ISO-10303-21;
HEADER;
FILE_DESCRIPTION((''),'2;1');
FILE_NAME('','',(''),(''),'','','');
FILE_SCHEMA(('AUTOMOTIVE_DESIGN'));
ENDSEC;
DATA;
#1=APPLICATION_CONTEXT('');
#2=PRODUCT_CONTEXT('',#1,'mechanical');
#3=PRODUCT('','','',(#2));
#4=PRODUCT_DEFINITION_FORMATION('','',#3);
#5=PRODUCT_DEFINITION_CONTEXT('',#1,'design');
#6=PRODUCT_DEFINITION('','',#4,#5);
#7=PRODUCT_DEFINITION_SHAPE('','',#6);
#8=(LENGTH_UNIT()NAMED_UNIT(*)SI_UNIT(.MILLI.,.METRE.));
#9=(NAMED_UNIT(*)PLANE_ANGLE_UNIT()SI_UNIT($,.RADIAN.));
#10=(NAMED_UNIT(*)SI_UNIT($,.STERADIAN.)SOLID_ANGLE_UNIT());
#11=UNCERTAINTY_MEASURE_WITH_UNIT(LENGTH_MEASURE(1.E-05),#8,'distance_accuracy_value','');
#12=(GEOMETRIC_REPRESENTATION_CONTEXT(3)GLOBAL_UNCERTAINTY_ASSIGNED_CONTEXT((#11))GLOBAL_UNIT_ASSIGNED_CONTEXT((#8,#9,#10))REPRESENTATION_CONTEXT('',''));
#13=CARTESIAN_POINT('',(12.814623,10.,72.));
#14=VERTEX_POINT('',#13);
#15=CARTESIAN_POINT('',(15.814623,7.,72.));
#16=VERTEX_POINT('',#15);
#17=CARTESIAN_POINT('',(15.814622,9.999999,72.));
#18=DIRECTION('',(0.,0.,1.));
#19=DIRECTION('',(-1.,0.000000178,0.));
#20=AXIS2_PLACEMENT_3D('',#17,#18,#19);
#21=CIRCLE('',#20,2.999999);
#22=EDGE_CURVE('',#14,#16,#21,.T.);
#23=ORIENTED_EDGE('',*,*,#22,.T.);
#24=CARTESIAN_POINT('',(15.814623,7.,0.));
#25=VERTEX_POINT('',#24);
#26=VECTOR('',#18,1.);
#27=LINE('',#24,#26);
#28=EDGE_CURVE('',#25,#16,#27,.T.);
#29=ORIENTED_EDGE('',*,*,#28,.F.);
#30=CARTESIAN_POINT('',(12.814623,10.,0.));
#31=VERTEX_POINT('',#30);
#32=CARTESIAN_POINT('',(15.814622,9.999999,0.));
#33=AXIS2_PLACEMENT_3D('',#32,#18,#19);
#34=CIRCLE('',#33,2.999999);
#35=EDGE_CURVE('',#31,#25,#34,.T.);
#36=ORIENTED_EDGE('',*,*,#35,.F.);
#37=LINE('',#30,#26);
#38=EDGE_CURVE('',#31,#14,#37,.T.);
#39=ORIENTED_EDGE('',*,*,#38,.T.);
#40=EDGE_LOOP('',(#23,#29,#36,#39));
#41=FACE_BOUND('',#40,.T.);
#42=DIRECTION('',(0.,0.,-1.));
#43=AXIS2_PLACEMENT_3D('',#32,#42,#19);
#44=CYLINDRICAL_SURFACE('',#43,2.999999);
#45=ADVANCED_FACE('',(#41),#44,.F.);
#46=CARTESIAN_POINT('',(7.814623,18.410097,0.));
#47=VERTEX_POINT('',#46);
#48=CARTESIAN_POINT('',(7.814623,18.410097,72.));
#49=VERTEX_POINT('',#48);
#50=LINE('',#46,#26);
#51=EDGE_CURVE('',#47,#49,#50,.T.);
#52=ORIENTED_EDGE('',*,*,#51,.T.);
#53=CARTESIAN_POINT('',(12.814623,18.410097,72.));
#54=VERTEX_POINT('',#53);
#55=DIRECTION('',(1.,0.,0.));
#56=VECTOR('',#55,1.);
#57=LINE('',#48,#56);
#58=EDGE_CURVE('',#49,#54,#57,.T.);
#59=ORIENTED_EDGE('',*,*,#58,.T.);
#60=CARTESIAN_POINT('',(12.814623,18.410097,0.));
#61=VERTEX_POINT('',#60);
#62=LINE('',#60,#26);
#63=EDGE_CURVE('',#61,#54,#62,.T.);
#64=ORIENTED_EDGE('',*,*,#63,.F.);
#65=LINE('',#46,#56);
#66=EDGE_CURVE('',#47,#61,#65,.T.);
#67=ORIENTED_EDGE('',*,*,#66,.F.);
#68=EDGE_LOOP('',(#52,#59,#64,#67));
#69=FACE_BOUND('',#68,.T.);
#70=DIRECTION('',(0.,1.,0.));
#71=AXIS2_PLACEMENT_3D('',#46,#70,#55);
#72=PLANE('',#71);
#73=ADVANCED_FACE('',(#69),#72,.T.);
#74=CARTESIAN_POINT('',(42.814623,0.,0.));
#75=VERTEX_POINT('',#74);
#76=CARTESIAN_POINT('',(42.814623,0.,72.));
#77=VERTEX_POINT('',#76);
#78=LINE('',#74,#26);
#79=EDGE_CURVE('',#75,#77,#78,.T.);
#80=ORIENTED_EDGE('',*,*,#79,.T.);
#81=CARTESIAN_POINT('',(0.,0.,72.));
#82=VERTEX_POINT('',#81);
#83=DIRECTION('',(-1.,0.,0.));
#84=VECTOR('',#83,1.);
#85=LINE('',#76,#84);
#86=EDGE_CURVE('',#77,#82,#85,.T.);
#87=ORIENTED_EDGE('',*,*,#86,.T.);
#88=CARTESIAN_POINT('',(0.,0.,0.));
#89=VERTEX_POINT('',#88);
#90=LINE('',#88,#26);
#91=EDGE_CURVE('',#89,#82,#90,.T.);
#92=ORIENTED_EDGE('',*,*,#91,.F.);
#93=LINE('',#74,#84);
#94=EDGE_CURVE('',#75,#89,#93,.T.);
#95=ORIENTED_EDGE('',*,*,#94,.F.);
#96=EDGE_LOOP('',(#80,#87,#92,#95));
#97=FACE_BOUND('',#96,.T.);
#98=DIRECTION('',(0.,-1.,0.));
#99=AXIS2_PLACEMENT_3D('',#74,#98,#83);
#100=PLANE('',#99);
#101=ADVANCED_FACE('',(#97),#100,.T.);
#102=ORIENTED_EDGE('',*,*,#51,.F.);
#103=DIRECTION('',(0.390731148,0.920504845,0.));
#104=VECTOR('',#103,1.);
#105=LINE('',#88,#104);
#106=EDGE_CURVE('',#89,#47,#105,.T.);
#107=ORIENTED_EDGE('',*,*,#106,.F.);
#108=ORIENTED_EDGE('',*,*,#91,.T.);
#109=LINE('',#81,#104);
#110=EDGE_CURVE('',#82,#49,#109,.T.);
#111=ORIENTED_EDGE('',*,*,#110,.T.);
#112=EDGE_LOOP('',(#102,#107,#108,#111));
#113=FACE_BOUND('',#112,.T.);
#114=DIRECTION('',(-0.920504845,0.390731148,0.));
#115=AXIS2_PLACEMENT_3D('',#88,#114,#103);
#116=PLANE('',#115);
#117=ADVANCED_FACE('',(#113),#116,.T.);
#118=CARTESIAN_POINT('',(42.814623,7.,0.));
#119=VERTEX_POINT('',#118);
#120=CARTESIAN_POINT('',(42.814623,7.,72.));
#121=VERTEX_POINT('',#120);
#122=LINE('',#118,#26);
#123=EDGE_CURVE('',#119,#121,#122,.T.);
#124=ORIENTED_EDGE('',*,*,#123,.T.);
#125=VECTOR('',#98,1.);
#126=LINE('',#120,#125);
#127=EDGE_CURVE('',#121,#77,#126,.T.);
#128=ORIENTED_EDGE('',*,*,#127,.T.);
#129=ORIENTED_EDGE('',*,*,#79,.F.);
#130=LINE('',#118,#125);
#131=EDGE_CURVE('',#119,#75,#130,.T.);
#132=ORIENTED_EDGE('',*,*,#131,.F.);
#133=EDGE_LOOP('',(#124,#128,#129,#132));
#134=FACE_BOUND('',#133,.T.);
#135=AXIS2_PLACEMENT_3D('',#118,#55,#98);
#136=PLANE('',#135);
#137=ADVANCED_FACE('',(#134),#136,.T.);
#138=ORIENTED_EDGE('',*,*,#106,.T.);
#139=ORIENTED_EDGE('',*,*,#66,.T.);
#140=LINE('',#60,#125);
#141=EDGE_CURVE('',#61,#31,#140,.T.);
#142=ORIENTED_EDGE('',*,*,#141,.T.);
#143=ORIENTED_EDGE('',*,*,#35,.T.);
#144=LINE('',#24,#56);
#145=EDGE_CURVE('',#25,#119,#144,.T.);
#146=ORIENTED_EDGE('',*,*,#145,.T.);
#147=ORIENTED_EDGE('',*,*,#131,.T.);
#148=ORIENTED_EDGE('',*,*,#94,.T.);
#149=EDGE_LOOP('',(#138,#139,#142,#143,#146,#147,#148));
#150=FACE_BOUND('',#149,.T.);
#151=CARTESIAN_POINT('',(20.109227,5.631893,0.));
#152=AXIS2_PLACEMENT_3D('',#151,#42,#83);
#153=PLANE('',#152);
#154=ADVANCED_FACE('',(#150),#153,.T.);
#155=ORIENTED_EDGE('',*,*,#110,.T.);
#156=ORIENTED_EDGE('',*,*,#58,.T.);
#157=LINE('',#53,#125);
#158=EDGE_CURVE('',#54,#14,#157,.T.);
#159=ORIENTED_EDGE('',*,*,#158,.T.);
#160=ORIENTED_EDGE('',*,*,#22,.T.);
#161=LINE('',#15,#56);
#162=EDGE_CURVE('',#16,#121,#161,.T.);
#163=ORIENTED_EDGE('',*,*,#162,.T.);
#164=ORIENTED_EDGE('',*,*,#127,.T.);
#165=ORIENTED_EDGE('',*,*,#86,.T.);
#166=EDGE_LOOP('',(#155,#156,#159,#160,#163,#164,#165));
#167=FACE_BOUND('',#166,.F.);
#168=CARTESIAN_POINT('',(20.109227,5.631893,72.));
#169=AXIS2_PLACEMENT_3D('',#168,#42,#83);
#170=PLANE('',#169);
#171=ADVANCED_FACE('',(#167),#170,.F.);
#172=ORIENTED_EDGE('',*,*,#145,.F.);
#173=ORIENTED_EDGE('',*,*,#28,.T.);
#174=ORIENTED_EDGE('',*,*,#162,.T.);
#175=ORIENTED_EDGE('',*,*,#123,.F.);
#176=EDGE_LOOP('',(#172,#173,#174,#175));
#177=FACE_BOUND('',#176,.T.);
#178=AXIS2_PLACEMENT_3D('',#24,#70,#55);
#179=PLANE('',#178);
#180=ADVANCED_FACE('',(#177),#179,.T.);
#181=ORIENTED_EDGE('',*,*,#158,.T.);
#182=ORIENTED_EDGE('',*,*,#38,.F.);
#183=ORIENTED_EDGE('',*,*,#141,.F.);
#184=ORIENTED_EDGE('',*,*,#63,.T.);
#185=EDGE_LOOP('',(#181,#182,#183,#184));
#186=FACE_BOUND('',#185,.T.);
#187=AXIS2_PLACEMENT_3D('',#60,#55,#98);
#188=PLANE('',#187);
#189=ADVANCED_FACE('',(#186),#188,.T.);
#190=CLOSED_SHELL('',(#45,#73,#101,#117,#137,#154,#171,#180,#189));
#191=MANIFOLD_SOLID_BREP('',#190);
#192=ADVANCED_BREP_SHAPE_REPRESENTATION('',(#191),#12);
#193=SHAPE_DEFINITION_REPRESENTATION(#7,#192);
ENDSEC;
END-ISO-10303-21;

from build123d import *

# Parameters (mm, degrees)
PAD_DEPTH = 72


with BuildPart() as part:
    # Sketch → Pad (new body)
    with BuildSketch(Plane.XY):
        with BuildLine():
            Line((0, 0), (7.814623, 18.410097))
            Line((7.814623, 18.410097), (12.814623, 18.410097))
            Line((12.814623, 18.410097), (12.814623, 10))
            ThreePointArc((12.814623, 10), (13.693302, 7.87868), (15.814623, 7))
            Line((15.814623, 7), (42.814623, 7))
            Line((42.814623, 7), (42.814623, 0))
            Line((42.814623, 0), (0, 0))
        make_face()
    extrude(amount=PAD_DEPTH)


solid = part.part
